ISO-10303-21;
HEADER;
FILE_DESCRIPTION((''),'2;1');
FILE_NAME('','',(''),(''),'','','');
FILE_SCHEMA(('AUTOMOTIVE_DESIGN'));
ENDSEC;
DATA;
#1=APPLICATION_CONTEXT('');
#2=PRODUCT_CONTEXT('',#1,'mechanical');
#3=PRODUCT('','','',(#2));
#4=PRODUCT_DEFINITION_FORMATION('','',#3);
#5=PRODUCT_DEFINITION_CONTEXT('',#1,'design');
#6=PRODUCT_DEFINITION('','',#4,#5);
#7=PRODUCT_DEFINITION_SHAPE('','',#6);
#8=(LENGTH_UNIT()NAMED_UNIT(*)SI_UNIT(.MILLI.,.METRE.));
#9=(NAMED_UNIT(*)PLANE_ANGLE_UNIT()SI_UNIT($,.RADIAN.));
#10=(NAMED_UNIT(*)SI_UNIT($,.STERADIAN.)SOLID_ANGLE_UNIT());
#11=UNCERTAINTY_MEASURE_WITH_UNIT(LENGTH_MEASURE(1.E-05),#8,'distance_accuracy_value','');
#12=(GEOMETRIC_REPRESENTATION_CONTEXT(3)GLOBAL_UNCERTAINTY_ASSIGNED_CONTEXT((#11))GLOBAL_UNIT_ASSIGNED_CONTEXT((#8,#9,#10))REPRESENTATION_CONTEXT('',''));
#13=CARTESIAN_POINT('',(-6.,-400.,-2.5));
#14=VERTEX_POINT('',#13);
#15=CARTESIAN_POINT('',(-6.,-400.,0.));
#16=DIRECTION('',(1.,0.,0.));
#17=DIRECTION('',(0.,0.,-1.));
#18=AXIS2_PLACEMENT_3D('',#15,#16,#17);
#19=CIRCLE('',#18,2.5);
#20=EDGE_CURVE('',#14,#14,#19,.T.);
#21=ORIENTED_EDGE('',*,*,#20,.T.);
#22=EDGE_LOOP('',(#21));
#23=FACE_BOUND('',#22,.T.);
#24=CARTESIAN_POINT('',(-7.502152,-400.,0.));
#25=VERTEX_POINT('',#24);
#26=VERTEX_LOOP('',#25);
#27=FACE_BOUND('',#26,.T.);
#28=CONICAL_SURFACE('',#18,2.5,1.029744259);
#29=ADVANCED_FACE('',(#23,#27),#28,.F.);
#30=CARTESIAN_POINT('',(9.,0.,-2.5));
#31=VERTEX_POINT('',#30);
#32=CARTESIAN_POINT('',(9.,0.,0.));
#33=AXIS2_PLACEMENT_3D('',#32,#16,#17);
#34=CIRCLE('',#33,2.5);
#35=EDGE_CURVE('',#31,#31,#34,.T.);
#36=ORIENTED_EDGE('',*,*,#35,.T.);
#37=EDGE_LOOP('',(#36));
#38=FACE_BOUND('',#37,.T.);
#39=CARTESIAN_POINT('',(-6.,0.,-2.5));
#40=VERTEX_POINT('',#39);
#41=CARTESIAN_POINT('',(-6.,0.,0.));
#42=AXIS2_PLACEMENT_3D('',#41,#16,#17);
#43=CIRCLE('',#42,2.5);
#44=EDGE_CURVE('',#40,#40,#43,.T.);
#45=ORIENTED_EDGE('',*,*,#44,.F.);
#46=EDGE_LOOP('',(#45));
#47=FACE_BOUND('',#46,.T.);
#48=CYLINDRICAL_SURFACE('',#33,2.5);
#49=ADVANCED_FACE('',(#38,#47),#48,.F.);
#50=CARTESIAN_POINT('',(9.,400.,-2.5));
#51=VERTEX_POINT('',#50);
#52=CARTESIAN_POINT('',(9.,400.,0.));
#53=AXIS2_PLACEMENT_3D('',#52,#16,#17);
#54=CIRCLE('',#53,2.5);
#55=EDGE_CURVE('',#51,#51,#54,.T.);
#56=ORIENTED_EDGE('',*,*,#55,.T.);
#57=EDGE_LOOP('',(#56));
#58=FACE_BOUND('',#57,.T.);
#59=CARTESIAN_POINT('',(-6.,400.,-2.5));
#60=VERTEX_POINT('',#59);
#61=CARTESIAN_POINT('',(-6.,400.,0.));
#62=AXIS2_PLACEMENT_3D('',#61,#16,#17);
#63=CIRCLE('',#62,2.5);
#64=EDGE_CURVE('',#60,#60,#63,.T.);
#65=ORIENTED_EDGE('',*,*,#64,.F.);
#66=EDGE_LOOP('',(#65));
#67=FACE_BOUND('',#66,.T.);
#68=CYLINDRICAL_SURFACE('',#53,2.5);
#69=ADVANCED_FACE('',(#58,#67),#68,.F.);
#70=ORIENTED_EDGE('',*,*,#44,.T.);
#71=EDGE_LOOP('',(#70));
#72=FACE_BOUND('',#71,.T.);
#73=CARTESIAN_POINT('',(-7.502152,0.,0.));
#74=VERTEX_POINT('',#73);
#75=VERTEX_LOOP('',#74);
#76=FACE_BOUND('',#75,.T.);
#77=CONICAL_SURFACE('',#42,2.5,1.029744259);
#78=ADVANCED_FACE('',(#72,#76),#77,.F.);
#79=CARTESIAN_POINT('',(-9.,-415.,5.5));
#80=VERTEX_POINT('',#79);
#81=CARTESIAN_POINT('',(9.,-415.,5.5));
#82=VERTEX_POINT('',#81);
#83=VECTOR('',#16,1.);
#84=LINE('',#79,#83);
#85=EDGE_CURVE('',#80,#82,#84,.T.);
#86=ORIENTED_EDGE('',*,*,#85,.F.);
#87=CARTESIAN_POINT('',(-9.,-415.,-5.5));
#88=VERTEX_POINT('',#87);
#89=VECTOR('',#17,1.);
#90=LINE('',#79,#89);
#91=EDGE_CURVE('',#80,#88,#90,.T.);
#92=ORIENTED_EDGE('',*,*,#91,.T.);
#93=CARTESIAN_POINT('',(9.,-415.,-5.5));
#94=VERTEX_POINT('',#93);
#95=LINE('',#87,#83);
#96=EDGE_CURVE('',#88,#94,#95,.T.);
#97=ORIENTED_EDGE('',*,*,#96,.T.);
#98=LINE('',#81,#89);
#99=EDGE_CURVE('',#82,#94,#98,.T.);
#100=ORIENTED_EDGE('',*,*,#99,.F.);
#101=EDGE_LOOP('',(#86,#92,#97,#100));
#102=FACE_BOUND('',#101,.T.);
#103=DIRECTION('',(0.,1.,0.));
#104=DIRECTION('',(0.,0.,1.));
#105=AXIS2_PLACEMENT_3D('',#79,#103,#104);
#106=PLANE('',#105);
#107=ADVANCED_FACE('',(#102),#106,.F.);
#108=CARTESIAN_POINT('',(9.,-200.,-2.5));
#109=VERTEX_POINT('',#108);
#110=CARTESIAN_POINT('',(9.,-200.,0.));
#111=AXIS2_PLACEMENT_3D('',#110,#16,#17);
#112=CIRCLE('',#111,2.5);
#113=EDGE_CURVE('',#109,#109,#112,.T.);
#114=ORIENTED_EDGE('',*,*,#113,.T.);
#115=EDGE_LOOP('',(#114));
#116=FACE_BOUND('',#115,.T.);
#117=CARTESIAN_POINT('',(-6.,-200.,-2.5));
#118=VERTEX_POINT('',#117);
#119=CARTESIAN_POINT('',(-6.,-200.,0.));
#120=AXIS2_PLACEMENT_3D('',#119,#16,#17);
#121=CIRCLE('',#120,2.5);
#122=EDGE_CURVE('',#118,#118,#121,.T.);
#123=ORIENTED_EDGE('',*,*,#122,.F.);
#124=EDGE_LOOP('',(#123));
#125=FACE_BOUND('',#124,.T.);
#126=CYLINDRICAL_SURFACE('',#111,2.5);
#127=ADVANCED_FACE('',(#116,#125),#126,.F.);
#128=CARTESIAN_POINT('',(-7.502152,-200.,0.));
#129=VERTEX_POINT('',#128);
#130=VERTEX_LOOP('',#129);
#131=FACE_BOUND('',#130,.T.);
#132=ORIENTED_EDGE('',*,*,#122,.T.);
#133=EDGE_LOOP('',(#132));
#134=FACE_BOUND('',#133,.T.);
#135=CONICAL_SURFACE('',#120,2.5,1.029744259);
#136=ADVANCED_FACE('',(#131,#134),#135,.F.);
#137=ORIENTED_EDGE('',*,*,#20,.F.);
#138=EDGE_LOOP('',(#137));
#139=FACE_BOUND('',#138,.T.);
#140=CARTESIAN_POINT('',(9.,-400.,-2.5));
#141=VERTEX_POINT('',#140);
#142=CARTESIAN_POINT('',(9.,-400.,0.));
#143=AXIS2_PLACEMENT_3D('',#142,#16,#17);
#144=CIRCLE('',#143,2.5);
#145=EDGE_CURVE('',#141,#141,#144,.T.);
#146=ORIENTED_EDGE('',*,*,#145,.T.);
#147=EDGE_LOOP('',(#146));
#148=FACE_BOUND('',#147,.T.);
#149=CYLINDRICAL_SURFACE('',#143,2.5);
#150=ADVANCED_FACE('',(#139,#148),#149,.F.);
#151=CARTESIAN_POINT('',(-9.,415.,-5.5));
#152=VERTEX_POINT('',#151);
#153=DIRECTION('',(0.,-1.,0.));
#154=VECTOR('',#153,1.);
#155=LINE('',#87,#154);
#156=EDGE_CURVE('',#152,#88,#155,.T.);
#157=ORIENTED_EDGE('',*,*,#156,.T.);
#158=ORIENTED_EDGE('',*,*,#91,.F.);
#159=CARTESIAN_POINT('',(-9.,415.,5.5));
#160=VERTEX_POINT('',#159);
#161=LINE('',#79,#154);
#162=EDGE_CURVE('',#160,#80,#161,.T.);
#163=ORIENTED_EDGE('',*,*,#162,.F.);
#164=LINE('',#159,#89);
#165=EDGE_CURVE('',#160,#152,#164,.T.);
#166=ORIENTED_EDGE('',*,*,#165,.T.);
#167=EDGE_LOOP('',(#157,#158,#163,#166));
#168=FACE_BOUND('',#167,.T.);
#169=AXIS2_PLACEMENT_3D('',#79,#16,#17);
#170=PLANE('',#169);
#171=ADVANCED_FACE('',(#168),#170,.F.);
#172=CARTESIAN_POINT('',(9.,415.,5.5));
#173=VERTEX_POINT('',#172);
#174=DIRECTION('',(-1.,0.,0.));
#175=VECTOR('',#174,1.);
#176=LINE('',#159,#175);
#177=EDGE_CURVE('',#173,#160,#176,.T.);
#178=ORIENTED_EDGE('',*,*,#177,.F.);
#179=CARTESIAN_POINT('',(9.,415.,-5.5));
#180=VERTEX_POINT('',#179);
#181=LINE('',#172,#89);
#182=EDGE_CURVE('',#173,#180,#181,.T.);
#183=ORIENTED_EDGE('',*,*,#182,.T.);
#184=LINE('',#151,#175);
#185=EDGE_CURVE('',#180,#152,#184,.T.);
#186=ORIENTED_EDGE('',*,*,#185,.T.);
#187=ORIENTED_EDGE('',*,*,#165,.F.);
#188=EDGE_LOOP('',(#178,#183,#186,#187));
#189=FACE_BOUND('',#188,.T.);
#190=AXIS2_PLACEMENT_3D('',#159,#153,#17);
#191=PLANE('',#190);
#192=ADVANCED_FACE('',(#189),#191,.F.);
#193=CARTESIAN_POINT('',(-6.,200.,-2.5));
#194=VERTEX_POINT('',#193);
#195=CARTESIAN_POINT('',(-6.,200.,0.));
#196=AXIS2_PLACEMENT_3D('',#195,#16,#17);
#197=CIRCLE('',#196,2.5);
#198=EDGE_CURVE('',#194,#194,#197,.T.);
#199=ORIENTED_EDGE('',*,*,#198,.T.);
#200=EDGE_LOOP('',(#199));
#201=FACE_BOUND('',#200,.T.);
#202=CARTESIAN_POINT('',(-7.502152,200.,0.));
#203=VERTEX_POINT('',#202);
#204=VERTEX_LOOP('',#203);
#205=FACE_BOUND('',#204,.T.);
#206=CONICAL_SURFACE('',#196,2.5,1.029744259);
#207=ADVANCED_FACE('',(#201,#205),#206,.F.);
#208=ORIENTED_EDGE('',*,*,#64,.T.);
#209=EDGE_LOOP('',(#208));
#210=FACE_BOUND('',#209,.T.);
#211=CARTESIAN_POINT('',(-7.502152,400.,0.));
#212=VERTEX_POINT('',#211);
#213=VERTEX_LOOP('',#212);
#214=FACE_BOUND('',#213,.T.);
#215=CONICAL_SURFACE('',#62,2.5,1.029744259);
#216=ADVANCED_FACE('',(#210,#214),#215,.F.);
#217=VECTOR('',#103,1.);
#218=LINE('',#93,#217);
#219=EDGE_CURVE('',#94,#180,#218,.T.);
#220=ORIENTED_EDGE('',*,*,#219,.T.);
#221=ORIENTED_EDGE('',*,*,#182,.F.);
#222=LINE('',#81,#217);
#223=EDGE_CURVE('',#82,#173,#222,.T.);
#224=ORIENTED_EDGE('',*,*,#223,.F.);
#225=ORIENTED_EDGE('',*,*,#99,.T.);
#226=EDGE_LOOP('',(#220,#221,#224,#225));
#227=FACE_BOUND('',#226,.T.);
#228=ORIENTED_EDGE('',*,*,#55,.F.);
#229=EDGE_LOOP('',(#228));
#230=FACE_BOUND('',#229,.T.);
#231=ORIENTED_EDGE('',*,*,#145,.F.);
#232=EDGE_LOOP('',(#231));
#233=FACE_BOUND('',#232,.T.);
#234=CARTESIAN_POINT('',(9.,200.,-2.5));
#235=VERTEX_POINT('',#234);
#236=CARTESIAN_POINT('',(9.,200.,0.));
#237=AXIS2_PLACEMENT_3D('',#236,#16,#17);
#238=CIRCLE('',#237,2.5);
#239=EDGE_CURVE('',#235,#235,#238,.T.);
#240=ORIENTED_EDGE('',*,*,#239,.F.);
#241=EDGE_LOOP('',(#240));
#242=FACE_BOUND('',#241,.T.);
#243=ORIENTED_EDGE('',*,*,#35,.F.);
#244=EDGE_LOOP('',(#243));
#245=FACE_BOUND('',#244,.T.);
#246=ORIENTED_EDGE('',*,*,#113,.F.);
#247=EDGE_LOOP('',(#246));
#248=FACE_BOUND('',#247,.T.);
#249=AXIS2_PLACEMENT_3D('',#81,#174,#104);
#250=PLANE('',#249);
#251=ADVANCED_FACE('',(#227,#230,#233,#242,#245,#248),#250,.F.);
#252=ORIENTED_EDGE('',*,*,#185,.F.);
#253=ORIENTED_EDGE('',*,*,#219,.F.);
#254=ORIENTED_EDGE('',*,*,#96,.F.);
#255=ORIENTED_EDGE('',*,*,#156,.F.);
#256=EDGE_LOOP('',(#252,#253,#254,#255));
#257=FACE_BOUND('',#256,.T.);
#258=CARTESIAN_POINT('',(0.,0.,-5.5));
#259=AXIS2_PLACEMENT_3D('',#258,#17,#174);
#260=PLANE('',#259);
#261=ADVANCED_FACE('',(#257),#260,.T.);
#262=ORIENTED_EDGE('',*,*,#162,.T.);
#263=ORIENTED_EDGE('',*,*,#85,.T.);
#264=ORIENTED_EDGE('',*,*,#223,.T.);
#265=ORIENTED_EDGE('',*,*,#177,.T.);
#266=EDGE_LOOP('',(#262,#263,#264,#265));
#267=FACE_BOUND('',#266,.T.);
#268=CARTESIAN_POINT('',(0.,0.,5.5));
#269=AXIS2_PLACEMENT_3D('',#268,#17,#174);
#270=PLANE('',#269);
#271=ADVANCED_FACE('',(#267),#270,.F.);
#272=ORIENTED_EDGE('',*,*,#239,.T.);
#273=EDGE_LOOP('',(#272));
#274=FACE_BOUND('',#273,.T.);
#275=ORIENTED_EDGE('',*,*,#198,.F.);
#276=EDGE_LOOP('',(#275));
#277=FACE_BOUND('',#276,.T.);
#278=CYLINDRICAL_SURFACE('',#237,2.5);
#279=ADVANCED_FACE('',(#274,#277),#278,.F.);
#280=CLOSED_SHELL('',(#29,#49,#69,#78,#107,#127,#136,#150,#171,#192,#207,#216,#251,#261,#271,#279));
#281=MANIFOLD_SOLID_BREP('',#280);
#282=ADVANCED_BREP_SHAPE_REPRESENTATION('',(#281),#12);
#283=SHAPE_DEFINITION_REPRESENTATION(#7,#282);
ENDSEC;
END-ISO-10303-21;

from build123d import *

# Parameters (mm, degrees)
SKETCH_1_W             = 18
SKETCH_1_H             = 830
EXTRUDE_1_DEPTH        = 5.5
HOLE_WIZARD_M6_1_D     = 5
HOLE_WIZARD_M6_1_DEPTH = 15
HOLE_WIZARD_M6_1_TIP   = 1.502151548


with BuildPart() as part:
    # 草图1 → 凸台-拉伸1 (new body, symmetric)
    with BuildSketch(Plane.XY):
        Rectangle(SKETCH_1_W, SKETCH_1_H)
    extrude(amount=EXTRUDE_1_DEPTH, both=True)

    # M6 螺纹孔1
    with Locations(Plane(origin=(9, -400, 0), x_dir=(0, 0, 1), z_dir=(1, 0, 0))):
        with Locations((0, 0), (0, -200), (0, -400), (0, -600), (0, -800)):
            Hole(HOLE_WIZARD_M6_1_D / 2, depth=HOLE_WIZARD_M6_1_DEPTH)
            with Locations((0, 0, -(HOLE_WIZARD_M6_1_DEPTH + HOLE_WIZARD_M6_1_TIP / 2))):  # 118° drill point
                Cone(0, HOLE_WIZARD_M6_1_D / 2, HOLE_WIZARD_M6_1_TIP, mode=Mode.SUBTRACT)


solid = part.part
